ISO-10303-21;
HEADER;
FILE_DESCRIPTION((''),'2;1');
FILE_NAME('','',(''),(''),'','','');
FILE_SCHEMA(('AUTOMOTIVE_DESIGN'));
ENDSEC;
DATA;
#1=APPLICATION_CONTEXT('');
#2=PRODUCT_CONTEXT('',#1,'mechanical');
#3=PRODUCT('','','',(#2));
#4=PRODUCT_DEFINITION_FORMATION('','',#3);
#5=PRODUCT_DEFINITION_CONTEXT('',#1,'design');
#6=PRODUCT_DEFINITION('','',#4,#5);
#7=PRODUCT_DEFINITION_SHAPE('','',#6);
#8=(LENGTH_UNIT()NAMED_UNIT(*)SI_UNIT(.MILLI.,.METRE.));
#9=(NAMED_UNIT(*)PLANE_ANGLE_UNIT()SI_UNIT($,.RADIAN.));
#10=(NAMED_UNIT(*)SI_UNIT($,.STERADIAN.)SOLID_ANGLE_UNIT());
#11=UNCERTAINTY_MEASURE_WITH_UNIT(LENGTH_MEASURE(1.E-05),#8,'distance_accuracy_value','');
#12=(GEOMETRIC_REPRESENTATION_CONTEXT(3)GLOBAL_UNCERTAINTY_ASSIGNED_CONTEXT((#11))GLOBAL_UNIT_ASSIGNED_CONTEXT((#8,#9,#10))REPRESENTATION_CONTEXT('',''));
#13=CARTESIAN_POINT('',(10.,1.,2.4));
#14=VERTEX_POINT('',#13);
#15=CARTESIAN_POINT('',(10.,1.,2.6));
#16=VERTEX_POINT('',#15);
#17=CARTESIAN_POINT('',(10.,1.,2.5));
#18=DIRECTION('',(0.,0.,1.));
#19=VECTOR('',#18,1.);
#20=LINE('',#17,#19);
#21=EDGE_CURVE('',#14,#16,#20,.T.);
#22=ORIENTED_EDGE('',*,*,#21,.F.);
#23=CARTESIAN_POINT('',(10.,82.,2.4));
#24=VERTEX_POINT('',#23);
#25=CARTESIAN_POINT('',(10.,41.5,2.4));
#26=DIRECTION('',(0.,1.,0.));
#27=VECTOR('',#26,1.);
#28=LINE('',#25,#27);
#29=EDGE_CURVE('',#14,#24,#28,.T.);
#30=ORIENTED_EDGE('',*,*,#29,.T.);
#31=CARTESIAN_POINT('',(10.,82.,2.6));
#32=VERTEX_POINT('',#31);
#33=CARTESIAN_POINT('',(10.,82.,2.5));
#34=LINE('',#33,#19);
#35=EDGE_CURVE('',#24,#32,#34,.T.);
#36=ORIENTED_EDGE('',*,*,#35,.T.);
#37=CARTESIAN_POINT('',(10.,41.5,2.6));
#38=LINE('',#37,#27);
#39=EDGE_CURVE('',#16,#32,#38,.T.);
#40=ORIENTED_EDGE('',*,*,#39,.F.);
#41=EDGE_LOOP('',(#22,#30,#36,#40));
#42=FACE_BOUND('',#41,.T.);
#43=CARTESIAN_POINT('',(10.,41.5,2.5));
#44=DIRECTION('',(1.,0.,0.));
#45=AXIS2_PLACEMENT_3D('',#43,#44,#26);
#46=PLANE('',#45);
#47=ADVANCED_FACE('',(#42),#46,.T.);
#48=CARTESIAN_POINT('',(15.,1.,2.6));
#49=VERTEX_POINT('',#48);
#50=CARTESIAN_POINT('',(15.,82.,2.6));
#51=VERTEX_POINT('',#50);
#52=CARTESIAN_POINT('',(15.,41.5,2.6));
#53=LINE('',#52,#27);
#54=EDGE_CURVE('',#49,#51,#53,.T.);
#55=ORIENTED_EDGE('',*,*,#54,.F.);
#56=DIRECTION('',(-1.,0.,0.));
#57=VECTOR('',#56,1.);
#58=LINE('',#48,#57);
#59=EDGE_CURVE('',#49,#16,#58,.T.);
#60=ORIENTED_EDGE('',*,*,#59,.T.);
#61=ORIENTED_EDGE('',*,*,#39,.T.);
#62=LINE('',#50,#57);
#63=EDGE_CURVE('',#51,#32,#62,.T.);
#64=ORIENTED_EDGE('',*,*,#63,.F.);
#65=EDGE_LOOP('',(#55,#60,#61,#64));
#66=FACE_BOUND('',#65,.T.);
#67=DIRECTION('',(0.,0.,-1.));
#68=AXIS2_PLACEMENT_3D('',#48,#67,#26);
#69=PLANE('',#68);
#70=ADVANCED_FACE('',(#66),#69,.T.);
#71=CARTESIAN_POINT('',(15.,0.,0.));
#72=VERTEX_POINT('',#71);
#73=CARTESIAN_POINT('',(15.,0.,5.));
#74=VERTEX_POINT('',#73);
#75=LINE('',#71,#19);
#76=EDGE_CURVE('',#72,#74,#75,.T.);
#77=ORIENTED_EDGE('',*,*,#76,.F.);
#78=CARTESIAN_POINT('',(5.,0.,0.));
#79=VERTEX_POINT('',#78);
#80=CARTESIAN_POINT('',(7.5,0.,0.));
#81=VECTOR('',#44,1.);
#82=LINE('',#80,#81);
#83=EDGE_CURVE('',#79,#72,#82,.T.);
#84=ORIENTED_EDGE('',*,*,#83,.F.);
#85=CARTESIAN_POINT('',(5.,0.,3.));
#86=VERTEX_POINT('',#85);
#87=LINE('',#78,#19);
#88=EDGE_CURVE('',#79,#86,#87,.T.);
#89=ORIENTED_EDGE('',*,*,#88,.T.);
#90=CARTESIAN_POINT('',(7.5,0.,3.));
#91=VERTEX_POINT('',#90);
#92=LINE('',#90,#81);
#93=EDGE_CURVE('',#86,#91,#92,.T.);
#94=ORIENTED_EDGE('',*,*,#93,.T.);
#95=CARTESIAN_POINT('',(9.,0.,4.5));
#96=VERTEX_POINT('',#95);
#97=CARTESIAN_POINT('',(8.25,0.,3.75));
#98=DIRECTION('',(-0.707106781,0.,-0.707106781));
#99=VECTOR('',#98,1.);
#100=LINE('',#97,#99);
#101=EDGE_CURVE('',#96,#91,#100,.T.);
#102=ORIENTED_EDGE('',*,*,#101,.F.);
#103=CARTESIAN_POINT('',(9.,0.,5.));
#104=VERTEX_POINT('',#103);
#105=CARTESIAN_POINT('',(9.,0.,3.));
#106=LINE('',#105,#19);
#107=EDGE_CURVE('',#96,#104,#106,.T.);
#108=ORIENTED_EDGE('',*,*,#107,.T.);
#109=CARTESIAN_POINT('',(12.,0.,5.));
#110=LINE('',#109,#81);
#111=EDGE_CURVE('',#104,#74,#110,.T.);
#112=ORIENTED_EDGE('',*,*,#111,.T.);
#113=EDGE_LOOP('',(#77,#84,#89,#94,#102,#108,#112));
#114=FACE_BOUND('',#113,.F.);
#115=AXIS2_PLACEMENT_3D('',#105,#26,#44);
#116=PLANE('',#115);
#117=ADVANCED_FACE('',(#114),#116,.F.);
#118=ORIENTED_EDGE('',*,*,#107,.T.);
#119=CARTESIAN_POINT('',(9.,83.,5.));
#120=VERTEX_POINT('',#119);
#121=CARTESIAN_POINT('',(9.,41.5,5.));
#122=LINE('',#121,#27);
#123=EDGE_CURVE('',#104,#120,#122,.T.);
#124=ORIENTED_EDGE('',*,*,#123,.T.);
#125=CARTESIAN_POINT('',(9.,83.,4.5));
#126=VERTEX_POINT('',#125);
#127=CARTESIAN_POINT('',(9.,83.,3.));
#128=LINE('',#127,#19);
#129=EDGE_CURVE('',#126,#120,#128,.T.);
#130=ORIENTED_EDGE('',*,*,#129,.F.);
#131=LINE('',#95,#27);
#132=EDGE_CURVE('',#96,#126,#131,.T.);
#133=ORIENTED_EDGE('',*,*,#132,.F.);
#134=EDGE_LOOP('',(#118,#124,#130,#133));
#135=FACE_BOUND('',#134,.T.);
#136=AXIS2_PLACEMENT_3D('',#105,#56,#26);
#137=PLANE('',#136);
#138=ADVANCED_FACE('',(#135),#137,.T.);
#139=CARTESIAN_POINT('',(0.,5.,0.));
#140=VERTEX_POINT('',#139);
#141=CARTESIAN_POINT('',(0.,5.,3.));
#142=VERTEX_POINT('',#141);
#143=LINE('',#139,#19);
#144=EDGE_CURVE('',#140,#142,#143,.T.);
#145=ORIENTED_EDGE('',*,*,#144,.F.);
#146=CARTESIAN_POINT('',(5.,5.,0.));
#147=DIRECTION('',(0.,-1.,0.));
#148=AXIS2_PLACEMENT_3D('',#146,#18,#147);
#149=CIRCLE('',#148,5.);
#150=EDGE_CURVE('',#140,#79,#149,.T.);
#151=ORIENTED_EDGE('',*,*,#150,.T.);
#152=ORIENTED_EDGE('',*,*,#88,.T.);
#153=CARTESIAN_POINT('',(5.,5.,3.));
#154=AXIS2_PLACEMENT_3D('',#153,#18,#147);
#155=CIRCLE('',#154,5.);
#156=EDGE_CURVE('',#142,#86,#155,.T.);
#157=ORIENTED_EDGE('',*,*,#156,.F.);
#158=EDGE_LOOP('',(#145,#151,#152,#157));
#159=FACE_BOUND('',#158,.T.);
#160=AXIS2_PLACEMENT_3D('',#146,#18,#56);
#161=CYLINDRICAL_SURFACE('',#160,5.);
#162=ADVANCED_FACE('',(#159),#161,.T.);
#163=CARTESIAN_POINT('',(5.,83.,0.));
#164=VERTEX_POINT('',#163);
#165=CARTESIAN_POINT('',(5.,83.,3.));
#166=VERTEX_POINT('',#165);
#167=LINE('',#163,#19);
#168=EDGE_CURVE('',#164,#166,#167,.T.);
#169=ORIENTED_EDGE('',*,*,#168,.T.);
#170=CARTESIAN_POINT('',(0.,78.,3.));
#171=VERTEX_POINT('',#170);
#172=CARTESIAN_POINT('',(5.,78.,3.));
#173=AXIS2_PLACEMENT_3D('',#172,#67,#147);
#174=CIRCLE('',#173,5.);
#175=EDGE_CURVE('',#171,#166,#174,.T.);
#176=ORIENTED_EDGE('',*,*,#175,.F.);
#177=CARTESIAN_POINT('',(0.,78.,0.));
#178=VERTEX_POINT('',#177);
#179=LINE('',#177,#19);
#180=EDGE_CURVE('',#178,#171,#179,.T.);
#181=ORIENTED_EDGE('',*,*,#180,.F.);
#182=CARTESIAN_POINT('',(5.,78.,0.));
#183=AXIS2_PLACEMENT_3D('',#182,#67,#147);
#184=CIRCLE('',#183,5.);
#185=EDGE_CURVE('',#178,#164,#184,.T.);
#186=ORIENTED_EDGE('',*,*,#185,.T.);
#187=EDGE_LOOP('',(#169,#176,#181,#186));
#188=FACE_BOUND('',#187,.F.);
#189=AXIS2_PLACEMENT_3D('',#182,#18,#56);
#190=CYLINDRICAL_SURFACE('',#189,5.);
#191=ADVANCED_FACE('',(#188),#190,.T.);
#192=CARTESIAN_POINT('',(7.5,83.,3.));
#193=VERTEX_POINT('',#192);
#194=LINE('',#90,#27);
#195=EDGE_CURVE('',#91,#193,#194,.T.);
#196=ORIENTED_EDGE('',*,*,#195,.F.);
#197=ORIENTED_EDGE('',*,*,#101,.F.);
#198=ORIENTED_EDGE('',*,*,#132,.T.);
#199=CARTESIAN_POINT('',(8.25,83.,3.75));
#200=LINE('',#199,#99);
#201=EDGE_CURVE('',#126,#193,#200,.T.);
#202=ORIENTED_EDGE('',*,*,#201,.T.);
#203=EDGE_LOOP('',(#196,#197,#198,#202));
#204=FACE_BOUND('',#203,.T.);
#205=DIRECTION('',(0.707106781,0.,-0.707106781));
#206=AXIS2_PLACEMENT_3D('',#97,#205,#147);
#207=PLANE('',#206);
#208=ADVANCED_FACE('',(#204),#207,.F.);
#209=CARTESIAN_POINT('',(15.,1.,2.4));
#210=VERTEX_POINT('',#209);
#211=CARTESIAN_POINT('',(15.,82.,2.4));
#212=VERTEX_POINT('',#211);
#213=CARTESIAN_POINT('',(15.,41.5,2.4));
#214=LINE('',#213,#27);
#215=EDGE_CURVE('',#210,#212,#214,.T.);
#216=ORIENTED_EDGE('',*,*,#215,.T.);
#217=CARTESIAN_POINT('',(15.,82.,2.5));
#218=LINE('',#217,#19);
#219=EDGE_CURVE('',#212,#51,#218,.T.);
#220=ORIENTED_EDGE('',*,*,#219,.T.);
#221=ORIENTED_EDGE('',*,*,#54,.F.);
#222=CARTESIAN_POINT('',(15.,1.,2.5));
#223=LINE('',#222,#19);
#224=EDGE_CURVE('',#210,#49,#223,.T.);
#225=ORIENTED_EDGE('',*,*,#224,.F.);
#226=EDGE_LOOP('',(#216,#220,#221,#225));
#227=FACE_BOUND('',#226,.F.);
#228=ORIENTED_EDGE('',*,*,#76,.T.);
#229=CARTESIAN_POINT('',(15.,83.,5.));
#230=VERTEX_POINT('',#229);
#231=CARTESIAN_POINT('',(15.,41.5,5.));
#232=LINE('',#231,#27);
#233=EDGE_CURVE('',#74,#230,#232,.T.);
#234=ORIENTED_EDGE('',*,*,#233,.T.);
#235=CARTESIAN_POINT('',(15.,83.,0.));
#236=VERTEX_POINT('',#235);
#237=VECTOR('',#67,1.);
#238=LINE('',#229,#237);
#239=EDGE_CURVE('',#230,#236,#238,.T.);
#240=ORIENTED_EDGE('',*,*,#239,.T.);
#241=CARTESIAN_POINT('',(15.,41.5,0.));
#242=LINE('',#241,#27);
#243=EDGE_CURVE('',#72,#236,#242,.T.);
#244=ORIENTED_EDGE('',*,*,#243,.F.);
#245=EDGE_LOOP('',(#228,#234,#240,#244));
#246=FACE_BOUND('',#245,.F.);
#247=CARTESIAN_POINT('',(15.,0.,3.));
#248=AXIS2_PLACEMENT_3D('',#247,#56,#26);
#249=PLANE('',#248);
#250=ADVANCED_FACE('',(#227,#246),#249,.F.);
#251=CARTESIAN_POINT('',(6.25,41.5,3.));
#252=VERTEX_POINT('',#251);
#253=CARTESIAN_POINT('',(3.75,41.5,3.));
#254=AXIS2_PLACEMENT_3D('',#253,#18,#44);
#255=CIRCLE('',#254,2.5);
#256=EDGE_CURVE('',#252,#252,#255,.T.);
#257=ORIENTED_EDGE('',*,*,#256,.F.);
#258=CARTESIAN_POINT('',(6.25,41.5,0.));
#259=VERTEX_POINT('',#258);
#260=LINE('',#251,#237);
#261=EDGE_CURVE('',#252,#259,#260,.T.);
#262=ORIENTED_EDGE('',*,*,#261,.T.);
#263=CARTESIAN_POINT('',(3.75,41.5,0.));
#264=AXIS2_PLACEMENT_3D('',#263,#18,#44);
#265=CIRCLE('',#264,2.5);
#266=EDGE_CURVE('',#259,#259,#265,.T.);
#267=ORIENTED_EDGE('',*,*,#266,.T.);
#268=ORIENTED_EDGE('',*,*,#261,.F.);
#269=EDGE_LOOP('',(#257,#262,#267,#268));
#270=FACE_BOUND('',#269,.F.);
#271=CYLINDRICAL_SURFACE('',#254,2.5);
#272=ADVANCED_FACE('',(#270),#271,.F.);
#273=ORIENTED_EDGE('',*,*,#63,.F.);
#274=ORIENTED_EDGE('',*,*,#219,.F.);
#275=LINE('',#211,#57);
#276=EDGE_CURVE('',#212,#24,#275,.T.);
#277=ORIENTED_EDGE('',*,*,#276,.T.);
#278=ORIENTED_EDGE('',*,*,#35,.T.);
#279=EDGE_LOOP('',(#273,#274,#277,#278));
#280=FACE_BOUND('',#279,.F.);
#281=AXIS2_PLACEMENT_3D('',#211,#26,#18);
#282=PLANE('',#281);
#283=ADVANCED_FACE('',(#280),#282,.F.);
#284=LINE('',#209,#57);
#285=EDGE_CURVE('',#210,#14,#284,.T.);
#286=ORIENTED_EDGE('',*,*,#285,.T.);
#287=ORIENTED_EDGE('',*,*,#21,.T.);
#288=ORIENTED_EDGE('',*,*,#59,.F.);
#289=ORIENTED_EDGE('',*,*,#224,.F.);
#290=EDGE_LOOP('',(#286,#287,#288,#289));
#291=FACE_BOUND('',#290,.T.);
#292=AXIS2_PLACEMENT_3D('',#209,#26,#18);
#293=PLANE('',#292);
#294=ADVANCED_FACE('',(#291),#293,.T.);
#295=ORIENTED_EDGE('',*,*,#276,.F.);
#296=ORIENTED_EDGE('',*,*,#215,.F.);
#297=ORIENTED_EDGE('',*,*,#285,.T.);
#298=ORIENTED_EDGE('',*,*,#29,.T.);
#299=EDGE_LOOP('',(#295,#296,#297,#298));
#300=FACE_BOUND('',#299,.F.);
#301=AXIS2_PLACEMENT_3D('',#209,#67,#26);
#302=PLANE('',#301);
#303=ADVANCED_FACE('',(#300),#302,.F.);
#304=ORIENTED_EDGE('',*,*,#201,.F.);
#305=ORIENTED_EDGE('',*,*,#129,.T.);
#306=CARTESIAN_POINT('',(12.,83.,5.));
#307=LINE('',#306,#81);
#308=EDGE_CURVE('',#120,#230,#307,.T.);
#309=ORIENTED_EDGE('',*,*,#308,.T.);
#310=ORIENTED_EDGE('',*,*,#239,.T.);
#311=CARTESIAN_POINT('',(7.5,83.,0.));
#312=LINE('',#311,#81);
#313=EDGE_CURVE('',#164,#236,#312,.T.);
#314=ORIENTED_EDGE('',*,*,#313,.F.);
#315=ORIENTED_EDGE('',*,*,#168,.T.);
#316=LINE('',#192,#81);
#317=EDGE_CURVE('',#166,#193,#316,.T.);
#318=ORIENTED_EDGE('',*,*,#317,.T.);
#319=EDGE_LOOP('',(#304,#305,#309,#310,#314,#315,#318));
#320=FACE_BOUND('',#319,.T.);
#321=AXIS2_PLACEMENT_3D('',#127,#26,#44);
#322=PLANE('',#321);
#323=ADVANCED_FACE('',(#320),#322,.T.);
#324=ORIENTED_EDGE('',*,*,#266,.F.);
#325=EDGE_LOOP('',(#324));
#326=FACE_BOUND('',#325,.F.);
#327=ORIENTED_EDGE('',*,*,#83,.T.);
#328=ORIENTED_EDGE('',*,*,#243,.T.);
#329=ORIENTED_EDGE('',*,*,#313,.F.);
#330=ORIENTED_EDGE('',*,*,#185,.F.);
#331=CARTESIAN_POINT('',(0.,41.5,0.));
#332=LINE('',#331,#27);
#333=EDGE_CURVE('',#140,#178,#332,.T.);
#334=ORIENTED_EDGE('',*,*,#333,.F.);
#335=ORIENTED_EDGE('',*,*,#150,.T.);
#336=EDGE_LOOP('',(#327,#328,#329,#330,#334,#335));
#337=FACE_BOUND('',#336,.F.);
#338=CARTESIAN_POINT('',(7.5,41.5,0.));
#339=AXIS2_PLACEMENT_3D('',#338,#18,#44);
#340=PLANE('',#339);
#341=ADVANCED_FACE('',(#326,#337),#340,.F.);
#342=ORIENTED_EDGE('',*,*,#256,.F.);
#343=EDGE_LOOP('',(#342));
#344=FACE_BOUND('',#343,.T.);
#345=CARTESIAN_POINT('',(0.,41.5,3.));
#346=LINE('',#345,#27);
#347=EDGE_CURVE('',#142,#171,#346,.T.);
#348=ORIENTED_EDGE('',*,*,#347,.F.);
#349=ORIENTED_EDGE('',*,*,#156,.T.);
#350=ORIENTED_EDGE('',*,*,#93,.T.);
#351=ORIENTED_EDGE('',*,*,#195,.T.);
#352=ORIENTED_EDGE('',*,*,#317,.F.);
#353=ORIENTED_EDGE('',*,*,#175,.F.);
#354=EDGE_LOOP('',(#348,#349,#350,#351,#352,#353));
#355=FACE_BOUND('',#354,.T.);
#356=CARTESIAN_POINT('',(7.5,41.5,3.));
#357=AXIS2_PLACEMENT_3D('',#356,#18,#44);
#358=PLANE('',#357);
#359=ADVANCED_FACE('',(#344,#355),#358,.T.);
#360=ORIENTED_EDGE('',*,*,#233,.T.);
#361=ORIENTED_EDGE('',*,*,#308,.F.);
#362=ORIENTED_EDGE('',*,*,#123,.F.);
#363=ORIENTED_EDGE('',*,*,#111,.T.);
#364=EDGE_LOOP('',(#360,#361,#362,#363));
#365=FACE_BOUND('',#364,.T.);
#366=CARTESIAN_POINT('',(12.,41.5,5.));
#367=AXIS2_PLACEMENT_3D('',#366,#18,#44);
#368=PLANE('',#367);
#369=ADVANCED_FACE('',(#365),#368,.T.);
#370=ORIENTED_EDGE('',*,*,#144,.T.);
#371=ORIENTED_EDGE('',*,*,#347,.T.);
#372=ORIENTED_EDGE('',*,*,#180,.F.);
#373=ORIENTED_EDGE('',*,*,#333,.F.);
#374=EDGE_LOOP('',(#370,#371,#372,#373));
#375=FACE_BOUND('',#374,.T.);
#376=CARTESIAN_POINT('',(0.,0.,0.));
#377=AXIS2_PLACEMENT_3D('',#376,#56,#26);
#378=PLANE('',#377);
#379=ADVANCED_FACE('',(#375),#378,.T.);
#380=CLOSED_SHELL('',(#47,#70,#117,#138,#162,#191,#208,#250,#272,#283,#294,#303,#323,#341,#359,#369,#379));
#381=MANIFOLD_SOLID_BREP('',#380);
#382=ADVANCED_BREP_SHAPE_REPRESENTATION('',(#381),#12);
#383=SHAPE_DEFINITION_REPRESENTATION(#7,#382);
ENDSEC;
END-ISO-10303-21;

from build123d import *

# Parameters (mm, degrees)
BOX_W           = 15
BOX_H           = 83
BOX_DEPTH       = 3
FILLET_R        = 5
SKETCH_W        = 6
SKETCH_H        = 83
PAD_DEPTH       = 2
SKETCH001_W     = 81
SKETCH001_H     = 0.2
POCKET_DEPTH    = 5
CHAMFER_SIZE    = 1.5
SKETCH002_R     = 2.5
POCKET001_DEPTH = 5


with BuildPart() as part:
    # Box → Box (new body)
    with BuildSketch(Plane.XY):
        with Locations((7.5, 41.5)):
            Rectangle(BOX_W, BOX_H)
    extrude(amount=BOX_DEPTH)

    # Fillet
    fillet_edges = [part.edges().sort_by_distance(p)[0] for p in [
        (0, 0, 1.5),
        (0, 83, 1.5),
    ]]
    fillet(fillet_edges, radius=FILLET_R)

    # Sketch (on Face2 of BaseFeature) → Pad (new body)
    with BuildSketch(Plane.XY.offset(3)):
        with Locations((12, 41.5)):
            Rectangle(SKETCH_W, SKETCH_H)
    extrude(amount=PAD_DEPTH)

    # Sketch001 (on Face10 of Pad) → Pocket (cut)
    with BuildSketch(Plane.YZ.offset(15)):
        with Locations((41.5, 2.5)):
            Rectangle(SKETCH001_W, SKETCH001_H)
    extrude(amount=-POCKET_DEPTH, mode=Mode.SUBTRACT)

    # Chamfer
    chamfer_edges = [part.edges().sort_by_distance(p)[0] for p in [
        (9, 41.5, 3),
    ]]
    chamfer(chamfer_edges, length=CHAMFER_SIZE)

    # Sketch002 (on Face5 of Chamfer) → Pocket001 (cut)
    with BuildSketch(Plane.XY.offset(3)):
        with Locations((3.75, 41.5)):
            Circle(SKETCH002_R)
    extrude(amount=-POCKET001_DEPTH, mode=Mode.SUBTRACT)


solid = part.part
